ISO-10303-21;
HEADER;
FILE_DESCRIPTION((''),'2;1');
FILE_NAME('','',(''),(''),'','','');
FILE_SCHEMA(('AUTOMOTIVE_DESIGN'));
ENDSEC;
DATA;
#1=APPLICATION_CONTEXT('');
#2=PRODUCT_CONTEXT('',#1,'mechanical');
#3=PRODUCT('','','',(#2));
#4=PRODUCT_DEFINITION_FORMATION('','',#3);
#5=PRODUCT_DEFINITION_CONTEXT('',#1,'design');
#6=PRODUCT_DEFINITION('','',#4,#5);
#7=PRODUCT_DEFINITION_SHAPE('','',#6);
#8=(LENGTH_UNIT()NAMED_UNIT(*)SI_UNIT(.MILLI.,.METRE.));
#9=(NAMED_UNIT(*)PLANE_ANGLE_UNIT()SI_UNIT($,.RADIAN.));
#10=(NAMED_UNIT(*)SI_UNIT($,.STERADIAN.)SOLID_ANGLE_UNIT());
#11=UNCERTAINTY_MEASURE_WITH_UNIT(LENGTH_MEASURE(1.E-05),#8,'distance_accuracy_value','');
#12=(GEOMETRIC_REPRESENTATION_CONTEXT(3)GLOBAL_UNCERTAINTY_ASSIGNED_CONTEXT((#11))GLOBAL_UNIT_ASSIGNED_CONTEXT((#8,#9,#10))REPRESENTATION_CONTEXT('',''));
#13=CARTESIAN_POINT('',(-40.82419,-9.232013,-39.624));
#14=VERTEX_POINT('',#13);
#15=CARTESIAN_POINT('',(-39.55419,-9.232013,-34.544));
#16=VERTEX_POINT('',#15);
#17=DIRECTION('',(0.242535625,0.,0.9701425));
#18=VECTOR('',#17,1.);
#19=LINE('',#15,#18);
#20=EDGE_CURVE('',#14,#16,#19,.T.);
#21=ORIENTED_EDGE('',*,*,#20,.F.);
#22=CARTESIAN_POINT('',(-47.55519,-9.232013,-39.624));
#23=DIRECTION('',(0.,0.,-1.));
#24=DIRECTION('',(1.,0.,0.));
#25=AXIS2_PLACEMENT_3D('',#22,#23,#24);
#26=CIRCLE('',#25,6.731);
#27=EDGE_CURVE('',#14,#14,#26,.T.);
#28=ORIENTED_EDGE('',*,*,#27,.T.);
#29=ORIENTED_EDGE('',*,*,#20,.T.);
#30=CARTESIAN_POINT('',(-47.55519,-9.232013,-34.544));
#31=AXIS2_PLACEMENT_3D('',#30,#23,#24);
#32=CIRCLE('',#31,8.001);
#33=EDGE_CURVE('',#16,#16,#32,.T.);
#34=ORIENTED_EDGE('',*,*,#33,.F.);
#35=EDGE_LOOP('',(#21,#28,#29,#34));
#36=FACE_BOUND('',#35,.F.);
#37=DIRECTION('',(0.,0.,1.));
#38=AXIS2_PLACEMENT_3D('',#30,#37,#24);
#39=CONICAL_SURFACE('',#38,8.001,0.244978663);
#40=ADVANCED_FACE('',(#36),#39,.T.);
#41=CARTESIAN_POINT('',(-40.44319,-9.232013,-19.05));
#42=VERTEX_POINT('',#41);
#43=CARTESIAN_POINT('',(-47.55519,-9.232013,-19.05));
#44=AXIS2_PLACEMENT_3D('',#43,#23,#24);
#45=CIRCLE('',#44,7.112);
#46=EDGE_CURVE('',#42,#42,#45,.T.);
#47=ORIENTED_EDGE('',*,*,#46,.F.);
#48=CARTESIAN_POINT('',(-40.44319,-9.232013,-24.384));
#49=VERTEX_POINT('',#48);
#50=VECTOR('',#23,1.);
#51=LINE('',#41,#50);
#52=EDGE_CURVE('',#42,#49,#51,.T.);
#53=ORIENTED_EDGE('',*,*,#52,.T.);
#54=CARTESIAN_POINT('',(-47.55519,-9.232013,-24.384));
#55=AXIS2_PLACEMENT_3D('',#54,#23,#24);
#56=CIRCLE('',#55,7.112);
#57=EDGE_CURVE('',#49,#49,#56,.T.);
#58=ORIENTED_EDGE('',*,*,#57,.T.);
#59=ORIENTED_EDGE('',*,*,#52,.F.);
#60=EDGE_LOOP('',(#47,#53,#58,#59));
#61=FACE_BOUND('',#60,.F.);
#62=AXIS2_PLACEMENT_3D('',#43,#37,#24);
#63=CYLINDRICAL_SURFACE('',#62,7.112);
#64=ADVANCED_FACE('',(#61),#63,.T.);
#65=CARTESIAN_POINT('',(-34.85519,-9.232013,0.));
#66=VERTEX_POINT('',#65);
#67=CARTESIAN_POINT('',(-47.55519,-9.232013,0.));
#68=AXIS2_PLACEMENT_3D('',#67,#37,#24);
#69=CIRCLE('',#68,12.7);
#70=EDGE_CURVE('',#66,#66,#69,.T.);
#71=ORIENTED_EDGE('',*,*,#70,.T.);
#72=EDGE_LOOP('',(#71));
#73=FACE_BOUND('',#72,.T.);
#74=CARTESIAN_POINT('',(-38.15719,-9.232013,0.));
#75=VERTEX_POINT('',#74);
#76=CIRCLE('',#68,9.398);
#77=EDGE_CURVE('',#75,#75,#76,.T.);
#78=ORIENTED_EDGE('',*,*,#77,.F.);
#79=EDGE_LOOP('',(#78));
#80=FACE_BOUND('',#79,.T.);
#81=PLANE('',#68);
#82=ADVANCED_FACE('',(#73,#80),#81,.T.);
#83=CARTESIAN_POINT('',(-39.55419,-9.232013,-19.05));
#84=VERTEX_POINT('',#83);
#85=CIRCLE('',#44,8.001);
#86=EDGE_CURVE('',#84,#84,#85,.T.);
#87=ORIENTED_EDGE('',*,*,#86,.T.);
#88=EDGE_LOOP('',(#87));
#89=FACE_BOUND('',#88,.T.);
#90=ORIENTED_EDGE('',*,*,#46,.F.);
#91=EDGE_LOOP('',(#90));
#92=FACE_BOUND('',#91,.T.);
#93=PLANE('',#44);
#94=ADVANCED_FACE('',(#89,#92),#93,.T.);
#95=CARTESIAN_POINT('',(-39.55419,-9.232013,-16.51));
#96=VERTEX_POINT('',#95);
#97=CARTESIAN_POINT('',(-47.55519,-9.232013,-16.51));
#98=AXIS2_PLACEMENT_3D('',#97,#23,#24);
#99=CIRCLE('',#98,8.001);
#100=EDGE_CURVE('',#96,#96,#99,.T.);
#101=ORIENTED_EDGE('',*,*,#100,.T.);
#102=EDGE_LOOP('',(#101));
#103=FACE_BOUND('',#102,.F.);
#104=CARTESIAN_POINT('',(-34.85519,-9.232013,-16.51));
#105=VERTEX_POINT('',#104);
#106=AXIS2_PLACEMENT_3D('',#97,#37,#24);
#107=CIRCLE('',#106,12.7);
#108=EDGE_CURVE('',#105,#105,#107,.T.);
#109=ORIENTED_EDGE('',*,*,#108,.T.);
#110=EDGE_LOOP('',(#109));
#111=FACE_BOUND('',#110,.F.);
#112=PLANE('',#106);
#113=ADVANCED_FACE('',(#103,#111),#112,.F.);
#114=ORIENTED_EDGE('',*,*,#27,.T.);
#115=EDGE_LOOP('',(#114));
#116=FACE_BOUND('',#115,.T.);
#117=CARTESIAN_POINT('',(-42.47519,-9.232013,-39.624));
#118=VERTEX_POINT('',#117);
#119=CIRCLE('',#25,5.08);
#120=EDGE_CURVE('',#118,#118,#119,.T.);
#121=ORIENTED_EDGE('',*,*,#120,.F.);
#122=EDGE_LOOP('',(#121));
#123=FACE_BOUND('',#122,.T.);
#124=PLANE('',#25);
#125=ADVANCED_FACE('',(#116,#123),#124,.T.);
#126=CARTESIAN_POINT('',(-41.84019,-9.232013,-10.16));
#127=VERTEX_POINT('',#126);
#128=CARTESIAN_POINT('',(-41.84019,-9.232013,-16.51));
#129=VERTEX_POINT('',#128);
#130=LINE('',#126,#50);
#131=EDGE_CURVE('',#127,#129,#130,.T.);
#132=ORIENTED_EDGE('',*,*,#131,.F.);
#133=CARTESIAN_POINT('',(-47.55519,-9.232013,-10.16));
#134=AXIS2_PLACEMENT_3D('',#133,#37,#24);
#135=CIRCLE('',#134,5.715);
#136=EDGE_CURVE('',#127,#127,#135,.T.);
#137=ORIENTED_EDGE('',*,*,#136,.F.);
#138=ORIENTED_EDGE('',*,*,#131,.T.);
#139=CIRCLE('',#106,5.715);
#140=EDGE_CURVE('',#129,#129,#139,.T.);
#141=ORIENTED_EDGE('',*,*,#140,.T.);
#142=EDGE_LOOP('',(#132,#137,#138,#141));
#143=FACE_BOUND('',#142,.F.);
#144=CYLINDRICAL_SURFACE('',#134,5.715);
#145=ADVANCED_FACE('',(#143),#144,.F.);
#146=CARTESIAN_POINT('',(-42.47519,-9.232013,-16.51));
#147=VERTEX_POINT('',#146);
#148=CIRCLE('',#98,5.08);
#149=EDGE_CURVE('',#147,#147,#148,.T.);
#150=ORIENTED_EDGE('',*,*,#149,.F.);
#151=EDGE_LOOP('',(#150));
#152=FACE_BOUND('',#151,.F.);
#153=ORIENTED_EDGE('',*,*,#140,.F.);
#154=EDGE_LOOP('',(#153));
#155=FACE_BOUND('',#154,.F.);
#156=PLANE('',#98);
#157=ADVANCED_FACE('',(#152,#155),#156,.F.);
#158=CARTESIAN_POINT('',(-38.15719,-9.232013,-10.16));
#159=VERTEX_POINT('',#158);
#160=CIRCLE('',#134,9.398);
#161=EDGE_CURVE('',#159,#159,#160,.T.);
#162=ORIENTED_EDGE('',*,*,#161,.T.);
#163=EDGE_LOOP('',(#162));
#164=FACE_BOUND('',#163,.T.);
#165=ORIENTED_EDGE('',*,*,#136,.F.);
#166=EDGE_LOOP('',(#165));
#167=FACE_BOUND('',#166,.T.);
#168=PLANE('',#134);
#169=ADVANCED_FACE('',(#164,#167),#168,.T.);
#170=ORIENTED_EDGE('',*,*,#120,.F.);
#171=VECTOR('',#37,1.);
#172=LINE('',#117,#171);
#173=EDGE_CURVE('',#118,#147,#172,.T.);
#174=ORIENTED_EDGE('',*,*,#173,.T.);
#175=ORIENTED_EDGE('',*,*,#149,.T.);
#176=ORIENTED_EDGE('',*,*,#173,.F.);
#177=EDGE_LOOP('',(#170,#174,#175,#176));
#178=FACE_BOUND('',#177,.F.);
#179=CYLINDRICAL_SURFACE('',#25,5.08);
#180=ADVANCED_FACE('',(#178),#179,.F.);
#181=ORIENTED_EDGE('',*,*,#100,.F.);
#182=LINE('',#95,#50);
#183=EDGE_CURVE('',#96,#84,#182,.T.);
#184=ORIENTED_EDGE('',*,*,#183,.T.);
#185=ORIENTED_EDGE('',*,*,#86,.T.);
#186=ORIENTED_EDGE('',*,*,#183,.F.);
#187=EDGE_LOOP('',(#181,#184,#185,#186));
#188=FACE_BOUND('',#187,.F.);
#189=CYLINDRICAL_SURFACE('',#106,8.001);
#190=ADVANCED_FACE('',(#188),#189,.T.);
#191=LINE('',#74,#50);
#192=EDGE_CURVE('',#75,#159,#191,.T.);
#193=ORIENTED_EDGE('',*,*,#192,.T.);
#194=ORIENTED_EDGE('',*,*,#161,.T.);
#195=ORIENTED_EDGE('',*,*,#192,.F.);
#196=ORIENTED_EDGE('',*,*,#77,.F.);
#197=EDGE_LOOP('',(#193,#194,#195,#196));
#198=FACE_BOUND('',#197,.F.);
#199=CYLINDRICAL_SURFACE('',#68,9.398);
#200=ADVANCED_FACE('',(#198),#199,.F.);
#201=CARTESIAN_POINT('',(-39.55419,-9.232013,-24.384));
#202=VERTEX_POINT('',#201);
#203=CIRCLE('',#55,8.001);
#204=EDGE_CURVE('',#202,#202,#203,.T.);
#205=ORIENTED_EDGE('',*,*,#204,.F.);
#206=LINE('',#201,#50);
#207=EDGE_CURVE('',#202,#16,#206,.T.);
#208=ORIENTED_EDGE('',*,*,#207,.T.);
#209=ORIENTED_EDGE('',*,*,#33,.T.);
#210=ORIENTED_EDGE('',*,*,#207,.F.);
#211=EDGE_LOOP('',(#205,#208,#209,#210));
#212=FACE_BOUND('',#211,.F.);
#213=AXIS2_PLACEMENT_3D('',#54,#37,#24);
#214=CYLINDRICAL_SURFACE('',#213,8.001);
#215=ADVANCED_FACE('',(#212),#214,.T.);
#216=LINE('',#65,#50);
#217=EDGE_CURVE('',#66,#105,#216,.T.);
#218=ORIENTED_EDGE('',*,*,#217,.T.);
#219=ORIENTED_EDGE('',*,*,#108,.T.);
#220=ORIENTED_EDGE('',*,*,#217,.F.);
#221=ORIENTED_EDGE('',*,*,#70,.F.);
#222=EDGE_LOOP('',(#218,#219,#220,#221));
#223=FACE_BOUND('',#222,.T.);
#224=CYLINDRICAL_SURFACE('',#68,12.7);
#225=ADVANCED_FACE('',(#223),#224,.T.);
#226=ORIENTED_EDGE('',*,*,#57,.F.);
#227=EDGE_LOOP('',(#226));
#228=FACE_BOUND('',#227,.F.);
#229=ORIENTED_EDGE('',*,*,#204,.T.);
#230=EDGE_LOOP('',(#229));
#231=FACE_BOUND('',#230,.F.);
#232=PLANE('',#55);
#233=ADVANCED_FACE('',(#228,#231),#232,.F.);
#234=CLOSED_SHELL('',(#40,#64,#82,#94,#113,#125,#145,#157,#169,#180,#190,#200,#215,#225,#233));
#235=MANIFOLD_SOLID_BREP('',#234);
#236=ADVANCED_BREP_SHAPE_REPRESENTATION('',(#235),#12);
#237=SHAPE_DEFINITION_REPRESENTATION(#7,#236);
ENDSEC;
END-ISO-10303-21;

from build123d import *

# Parameters (mm, degrees)
F0_R      = 12.7
F1_DEPTH  = 16.51
F2_R      = 9.398
F3_DEPTH  = 10.16
F4_R      = 5.715
F5_DEPTH  = 6.35
F6_R      = 8.001
F7_DEPTH  = 2.54
F8_R      = 7.112
F9_DEPTH  = 5.334
F10_R     = 8.001
F11_DEPTH = 15.24
F12_SIZE2 = 5.08
F12_SIZE  = 1.27
F13_R     = 5.08
F14_DEPTH = 25.4


with BuildPart() as f1:
    # F0 (on Top) → F1 (new body)
    with BuildSketch(Plane.XY):
        with Locations((-47.5551895797, -9.232012555)):
            Circle(F0_R)
    extrude(amount=-F1_DEPTH)

    # F2 (on face) → F3 (cut)
    with BuildSketch(Plane.XY):
        with Locations((-47.5551895797, -9.232012555)):
            Circle(F2_R)
    extrude(amount=-F3_DEPTH, mode=Mode.SUBTRACT)

    # F4 (on face) → F5 (cut)
    with BuildSketch(Plane.XY.offset(-10.16)):
        with Locations((-47.5551895797, -9.232012555)):
            Circle(F4_R)
    extrude(amount=-F5_DEPTH, mode=Mode.SUBTRACT)

    # F6 (on face) → F7 (join)
    with BuildSketch(Plane(origin=(0, 0, -16.51), x_dir=(1, 0, 0), z_dir=(0, 0, -1))):
        with Locations((-47.5551895797, 9.232012555)):
            Circle(F6_R)
    extrude(amount=F7_DEPTH)

    # F8 (on face) → F9 (join)
    with BuildSketch(Plane(origin=(0, 0, -19.05), x_dir=(1, 0, 0), z_dir=(0, 0, -1))):
        with Locations((-47.5551895797, 9.232012555)):
            Circle(F8_R)
    extrude(amount=F9_DEPTH)

    # F10 (on face) → F11 (join)
    with BuildSketch(Plane(origin=(0, 0, -24.384), x_dir=(1, 0, 0), z_dir=(0, 0, -1))):
        with Locations((-47.5551895797, 9.232012555)):
            Circle(F10_R)
    extrude(amount=F11_DEPTH)

    # F12
    f12_edges = [f1.edges().sort_by_distance(p)[0] for p in [
        (-55.55619, -9.232013, -39.624),
    ]]
    f12_side = f1.faces().sort_by_distance((-47.55519, -9.232013, -39.624))[0]
    chamfer(f12_edges, length=F12_SIZE, length2=F12_SIZE2, reference=f12_side)

    # F13 (on face) → F14 (cut)
    with BuildSketch(Plane(origin=(0, 0, -39.624), x_dir=(1, 0, 0), z_dir=(0, 0, -1))):
        with Locations((-47.5551895797, 9.232012555)):
            Circle(F13_R)
    extrude(amount=-F14_DEPTH, mode=Mode.SUBTRACT)


solid = f1.part
